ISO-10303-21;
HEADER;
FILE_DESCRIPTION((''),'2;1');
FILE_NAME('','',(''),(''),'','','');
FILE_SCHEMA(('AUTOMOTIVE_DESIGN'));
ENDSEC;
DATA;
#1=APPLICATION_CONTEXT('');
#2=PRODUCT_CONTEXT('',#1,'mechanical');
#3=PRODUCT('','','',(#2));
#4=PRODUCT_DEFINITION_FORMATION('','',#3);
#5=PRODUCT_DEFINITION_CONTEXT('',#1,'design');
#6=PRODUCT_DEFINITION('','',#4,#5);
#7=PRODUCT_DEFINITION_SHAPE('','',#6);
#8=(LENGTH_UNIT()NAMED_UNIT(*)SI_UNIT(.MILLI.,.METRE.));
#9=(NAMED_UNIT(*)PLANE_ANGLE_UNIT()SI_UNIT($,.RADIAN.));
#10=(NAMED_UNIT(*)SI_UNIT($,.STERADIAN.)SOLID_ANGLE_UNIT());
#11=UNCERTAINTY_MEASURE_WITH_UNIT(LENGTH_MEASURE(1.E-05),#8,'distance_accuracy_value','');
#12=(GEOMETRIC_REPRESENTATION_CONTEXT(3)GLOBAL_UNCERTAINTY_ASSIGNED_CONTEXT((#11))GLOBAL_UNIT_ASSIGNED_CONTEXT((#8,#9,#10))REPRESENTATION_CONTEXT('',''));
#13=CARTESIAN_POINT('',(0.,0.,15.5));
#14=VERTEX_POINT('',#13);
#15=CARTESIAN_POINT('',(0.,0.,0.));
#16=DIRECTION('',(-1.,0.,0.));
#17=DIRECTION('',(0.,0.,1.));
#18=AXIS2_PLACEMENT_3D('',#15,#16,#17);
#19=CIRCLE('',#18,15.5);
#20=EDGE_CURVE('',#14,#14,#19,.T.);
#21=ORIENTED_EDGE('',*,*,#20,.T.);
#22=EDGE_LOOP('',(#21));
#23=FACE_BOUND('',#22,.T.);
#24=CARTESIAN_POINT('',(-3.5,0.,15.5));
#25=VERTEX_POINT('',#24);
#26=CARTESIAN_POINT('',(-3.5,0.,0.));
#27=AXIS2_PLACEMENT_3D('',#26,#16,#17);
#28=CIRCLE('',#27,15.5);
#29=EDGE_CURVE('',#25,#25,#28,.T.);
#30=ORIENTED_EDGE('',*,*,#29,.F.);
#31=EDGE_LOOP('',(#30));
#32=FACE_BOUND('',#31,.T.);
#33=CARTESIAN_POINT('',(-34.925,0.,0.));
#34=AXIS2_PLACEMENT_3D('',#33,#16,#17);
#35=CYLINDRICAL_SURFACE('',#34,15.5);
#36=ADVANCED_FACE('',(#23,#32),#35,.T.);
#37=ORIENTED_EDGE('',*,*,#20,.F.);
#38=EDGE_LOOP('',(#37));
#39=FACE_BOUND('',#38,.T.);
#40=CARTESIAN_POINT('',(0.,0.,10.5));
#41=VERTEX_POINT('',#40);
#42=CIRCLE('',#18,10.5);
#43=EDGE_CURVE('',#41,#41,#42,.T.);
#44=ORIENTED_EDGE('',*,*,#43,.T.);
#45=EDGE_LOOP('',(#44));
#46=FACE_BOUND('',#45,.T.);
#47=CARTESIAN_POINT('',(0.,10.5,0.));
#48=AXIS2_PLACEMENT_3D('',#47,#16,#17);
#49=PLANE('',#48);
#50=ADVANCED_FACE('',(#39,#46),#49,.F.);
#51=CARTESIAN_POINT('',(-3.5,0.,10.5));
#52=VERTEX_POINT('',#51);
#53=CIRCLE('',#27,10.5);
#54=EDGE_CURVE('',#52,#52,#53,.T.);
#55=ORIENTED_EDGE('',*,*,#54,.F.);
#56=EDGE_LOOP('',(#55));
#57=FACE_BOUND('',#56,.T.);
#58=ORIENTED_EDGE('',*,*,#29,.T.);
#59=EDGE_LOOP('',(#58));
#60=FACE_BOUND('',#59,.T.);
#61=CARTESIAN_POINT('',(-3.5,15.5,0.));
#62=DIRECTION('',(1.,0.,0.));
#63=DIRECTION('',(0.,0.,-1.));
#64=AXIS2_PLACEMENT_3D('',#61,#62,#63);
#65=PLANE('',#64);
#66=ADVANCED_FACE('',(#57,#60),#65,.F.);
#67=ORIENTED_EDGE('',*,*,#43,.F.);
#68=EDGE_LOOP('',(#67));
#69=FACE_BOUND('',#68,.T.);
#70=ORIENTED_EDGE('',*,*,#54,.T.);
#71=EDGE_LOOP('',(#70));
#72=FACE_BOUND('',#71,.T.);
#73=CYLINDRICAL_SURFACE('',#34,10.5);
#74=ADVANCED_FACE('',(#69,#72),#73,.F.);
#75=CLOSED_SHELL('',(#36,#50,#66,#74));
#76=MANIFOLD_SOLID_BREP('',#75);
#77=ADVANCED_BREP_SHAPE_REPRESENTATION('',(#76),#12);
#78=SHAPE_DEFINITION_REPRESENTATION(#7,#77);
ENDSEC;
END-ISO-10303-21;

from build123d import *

# Parameters (mm, degrees)
SKETCH1_W = 3.5
SKETCH1_H = 5


with BuildPart() as part:
    # Sketch1 → Base-Revolve (revolve)
    with BuildSketch(Plane.XY, mode=Mode.PRIVATE) as base_revolve_sk:
        with Locations((-1.75, 13)):
            Rectangle(SKETCH1_W, SKETCH1_H)
    revolve(base_revolve_sk.sketch.rotate(Axis((-34.925, 0, 0), (1, 0, 0)), 90), axis=Axis((-34.925, 0, 0), (1, 0, 0)))


solid = part.part
